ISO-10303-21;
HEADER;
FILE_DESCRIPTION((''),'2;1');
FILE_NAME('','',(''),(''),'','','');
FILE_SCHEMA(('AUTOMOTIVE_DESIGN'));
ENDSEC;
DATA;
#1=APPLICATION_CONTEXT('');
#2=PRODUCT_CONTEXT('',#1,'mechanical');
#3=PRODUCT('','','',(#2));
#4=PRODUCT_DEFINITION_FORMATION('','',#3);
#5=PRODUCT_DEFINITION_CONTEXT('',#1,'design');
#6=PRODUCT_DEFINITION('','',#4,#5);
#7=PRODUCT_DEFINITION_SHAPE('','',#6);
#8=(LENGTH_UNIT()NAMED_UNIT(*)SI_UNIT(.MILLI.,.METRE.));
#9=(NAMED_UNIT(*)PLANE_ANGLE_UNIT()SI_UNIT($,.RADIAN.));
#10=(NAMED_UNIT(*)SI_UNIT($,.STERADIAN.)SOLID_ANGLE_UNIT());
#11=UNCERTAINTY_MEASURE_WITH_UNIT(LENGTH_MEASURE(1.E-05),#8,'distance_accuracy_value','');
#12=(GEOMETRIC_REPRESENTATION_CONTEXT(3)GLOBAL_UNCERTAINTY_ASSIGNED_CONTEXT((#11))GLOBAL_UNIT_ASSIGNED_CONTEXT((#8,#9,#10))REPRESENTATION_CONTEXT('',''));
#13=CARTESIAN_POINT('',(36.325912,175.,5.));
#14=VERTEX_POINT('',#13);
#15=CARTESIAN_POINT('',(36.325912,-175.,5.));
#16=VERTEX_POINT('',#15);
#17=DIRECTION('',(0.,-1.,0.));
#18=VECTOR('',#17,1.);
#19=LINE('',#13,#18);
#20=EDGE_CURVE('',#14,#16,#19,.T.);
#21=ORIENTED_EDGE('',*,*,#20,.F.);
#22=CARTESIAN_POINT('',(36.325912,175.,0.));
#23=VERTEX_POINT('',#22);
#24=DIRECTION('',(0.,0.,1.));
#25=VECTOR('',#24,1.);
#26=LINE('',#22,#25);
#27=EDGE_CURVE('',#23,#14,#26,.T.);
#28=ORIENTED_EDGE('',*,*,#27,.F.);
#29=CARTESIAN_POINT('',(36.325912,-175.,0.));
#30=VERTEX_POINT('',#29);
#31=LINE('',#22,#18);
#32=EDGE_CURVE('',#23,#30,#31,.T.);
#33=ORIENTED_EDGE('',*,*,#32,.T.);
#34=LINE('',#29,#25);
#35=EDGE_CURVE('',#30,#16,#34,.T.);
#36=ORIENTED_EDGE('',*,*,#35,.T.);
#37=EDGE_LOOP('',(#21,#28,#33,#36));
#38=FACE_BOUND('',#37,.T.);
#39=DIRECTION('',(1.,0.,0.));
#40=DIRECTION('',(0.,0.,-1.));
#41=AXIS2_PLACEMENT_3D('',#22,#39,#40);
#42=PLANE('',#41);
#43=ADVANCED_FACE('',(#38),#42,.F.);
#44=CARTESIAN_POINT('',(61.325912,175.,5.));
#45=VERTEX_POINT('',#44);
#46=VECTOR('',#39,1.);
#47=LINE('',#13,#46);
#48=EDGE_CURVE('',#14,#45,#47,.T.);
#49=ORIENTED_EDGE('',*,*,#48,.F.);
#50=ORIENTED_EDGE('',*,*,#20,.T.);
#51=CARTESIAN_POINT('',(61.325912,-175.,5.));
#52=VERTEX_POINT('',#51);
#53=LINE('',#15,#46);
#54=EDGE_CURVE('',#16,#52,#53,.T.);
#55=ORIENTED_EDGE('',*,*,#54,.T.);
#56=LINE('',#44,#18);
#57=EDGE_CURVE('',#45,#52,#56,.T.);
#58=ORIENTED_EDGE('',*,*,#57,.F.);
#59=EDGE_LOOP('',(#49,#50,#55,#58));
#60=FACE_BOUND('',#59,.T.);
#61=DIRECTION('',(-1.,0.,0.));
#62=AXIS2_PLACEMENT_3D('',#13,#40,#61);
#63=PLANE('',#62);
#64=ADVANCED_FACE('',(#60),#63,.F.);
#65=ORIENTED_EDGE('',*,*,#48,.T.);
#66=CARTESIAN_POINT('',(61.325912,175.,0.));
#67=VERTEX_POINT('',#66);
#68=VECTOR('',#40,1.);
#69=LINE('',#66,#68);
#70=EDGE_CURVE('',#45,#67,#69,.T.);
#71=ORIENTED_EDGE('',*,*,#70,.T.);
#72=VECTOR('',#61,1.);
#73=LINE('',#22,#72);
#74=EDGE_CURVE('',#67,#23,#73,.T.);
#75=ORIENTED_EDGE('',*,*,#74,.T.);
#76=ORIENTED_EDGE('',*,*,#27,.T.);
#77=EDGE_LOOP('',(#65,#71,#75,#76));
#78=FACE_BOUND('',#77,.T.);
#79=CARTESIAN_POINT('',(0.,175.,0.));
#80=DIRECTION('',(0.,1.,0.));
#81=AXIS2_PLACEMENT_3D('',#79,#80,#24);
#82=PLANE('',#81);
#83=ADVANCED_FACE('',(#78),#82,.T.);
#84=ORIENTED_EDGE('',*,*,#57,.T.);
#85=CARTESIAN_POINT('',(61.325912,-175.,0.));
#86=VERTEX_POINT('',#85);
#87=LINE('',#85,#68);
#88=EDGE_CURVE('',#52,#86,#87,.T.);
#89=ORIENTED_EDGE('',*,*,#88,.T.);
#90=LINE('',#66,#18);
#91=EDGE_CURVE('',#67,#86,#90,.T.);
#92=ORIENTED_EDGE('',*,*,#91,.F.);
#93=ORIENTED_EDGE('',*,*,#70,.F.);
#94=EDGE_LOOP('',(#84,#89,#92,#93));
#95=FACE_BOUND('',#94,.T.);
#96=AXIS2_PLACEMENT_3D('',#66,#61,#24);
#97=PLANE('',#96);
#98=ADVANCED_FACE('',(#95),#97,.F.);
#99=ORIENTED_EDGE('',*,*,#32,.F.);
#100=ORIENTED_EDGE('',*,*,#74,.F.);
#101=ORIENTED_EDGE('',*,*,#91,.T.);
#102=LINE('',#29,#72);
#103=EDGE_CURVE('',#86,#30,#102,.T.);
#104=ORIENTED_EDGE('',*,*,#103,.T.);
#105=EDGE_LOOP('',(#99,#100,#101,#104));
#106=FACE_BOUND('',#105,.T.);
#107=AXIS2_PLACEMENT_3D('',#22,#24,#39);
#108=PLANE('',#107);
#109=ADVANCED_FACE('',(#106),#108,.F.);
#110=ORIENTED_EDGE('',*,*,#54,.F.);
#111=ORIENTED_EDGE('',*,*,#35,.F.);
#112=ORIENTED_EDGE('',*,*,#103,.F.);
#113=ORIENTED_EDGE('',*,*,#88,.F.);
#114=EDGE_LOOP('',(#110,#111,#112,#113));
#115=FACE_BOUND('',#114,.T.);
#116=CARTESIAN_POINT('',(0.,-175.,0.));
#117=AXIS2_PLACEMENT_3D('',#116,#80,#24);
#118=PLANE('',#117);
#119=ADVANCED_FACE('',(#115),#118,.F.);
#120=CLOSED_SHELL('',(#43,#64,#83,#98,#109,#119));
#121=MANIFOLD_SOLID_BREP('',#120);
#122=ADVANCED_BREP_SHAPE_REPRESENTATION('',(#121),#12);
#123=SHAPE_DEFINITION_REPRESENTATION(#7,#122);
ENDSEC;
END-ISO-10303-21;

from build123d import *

# Parameters (mm, degrees)
SKIZZE2_W                       = 25
SKIZZE2_H                       = 5
AUFSATZ_LINEAR_AUSTRAGEN1_DEPTH = 175


with BuildPart() as part:
    # Skizze2 → Aufsatz-Linear austragen1 (new body, symmetric)
    with BuildSketch(Plane(origin=(0, 0, 0), x_dir=(1, 0, 0), z_dir=(0, 1, 0))):
        with Locations((48.825912394, -2.5)):
            Rectangle(SKIZZE2_W, SKIZZE2_H)
    extrude(amount=AUFSATZ_LINEAR_AUSTRAGEN1_DEPTH, both=True)


solid = part.part
